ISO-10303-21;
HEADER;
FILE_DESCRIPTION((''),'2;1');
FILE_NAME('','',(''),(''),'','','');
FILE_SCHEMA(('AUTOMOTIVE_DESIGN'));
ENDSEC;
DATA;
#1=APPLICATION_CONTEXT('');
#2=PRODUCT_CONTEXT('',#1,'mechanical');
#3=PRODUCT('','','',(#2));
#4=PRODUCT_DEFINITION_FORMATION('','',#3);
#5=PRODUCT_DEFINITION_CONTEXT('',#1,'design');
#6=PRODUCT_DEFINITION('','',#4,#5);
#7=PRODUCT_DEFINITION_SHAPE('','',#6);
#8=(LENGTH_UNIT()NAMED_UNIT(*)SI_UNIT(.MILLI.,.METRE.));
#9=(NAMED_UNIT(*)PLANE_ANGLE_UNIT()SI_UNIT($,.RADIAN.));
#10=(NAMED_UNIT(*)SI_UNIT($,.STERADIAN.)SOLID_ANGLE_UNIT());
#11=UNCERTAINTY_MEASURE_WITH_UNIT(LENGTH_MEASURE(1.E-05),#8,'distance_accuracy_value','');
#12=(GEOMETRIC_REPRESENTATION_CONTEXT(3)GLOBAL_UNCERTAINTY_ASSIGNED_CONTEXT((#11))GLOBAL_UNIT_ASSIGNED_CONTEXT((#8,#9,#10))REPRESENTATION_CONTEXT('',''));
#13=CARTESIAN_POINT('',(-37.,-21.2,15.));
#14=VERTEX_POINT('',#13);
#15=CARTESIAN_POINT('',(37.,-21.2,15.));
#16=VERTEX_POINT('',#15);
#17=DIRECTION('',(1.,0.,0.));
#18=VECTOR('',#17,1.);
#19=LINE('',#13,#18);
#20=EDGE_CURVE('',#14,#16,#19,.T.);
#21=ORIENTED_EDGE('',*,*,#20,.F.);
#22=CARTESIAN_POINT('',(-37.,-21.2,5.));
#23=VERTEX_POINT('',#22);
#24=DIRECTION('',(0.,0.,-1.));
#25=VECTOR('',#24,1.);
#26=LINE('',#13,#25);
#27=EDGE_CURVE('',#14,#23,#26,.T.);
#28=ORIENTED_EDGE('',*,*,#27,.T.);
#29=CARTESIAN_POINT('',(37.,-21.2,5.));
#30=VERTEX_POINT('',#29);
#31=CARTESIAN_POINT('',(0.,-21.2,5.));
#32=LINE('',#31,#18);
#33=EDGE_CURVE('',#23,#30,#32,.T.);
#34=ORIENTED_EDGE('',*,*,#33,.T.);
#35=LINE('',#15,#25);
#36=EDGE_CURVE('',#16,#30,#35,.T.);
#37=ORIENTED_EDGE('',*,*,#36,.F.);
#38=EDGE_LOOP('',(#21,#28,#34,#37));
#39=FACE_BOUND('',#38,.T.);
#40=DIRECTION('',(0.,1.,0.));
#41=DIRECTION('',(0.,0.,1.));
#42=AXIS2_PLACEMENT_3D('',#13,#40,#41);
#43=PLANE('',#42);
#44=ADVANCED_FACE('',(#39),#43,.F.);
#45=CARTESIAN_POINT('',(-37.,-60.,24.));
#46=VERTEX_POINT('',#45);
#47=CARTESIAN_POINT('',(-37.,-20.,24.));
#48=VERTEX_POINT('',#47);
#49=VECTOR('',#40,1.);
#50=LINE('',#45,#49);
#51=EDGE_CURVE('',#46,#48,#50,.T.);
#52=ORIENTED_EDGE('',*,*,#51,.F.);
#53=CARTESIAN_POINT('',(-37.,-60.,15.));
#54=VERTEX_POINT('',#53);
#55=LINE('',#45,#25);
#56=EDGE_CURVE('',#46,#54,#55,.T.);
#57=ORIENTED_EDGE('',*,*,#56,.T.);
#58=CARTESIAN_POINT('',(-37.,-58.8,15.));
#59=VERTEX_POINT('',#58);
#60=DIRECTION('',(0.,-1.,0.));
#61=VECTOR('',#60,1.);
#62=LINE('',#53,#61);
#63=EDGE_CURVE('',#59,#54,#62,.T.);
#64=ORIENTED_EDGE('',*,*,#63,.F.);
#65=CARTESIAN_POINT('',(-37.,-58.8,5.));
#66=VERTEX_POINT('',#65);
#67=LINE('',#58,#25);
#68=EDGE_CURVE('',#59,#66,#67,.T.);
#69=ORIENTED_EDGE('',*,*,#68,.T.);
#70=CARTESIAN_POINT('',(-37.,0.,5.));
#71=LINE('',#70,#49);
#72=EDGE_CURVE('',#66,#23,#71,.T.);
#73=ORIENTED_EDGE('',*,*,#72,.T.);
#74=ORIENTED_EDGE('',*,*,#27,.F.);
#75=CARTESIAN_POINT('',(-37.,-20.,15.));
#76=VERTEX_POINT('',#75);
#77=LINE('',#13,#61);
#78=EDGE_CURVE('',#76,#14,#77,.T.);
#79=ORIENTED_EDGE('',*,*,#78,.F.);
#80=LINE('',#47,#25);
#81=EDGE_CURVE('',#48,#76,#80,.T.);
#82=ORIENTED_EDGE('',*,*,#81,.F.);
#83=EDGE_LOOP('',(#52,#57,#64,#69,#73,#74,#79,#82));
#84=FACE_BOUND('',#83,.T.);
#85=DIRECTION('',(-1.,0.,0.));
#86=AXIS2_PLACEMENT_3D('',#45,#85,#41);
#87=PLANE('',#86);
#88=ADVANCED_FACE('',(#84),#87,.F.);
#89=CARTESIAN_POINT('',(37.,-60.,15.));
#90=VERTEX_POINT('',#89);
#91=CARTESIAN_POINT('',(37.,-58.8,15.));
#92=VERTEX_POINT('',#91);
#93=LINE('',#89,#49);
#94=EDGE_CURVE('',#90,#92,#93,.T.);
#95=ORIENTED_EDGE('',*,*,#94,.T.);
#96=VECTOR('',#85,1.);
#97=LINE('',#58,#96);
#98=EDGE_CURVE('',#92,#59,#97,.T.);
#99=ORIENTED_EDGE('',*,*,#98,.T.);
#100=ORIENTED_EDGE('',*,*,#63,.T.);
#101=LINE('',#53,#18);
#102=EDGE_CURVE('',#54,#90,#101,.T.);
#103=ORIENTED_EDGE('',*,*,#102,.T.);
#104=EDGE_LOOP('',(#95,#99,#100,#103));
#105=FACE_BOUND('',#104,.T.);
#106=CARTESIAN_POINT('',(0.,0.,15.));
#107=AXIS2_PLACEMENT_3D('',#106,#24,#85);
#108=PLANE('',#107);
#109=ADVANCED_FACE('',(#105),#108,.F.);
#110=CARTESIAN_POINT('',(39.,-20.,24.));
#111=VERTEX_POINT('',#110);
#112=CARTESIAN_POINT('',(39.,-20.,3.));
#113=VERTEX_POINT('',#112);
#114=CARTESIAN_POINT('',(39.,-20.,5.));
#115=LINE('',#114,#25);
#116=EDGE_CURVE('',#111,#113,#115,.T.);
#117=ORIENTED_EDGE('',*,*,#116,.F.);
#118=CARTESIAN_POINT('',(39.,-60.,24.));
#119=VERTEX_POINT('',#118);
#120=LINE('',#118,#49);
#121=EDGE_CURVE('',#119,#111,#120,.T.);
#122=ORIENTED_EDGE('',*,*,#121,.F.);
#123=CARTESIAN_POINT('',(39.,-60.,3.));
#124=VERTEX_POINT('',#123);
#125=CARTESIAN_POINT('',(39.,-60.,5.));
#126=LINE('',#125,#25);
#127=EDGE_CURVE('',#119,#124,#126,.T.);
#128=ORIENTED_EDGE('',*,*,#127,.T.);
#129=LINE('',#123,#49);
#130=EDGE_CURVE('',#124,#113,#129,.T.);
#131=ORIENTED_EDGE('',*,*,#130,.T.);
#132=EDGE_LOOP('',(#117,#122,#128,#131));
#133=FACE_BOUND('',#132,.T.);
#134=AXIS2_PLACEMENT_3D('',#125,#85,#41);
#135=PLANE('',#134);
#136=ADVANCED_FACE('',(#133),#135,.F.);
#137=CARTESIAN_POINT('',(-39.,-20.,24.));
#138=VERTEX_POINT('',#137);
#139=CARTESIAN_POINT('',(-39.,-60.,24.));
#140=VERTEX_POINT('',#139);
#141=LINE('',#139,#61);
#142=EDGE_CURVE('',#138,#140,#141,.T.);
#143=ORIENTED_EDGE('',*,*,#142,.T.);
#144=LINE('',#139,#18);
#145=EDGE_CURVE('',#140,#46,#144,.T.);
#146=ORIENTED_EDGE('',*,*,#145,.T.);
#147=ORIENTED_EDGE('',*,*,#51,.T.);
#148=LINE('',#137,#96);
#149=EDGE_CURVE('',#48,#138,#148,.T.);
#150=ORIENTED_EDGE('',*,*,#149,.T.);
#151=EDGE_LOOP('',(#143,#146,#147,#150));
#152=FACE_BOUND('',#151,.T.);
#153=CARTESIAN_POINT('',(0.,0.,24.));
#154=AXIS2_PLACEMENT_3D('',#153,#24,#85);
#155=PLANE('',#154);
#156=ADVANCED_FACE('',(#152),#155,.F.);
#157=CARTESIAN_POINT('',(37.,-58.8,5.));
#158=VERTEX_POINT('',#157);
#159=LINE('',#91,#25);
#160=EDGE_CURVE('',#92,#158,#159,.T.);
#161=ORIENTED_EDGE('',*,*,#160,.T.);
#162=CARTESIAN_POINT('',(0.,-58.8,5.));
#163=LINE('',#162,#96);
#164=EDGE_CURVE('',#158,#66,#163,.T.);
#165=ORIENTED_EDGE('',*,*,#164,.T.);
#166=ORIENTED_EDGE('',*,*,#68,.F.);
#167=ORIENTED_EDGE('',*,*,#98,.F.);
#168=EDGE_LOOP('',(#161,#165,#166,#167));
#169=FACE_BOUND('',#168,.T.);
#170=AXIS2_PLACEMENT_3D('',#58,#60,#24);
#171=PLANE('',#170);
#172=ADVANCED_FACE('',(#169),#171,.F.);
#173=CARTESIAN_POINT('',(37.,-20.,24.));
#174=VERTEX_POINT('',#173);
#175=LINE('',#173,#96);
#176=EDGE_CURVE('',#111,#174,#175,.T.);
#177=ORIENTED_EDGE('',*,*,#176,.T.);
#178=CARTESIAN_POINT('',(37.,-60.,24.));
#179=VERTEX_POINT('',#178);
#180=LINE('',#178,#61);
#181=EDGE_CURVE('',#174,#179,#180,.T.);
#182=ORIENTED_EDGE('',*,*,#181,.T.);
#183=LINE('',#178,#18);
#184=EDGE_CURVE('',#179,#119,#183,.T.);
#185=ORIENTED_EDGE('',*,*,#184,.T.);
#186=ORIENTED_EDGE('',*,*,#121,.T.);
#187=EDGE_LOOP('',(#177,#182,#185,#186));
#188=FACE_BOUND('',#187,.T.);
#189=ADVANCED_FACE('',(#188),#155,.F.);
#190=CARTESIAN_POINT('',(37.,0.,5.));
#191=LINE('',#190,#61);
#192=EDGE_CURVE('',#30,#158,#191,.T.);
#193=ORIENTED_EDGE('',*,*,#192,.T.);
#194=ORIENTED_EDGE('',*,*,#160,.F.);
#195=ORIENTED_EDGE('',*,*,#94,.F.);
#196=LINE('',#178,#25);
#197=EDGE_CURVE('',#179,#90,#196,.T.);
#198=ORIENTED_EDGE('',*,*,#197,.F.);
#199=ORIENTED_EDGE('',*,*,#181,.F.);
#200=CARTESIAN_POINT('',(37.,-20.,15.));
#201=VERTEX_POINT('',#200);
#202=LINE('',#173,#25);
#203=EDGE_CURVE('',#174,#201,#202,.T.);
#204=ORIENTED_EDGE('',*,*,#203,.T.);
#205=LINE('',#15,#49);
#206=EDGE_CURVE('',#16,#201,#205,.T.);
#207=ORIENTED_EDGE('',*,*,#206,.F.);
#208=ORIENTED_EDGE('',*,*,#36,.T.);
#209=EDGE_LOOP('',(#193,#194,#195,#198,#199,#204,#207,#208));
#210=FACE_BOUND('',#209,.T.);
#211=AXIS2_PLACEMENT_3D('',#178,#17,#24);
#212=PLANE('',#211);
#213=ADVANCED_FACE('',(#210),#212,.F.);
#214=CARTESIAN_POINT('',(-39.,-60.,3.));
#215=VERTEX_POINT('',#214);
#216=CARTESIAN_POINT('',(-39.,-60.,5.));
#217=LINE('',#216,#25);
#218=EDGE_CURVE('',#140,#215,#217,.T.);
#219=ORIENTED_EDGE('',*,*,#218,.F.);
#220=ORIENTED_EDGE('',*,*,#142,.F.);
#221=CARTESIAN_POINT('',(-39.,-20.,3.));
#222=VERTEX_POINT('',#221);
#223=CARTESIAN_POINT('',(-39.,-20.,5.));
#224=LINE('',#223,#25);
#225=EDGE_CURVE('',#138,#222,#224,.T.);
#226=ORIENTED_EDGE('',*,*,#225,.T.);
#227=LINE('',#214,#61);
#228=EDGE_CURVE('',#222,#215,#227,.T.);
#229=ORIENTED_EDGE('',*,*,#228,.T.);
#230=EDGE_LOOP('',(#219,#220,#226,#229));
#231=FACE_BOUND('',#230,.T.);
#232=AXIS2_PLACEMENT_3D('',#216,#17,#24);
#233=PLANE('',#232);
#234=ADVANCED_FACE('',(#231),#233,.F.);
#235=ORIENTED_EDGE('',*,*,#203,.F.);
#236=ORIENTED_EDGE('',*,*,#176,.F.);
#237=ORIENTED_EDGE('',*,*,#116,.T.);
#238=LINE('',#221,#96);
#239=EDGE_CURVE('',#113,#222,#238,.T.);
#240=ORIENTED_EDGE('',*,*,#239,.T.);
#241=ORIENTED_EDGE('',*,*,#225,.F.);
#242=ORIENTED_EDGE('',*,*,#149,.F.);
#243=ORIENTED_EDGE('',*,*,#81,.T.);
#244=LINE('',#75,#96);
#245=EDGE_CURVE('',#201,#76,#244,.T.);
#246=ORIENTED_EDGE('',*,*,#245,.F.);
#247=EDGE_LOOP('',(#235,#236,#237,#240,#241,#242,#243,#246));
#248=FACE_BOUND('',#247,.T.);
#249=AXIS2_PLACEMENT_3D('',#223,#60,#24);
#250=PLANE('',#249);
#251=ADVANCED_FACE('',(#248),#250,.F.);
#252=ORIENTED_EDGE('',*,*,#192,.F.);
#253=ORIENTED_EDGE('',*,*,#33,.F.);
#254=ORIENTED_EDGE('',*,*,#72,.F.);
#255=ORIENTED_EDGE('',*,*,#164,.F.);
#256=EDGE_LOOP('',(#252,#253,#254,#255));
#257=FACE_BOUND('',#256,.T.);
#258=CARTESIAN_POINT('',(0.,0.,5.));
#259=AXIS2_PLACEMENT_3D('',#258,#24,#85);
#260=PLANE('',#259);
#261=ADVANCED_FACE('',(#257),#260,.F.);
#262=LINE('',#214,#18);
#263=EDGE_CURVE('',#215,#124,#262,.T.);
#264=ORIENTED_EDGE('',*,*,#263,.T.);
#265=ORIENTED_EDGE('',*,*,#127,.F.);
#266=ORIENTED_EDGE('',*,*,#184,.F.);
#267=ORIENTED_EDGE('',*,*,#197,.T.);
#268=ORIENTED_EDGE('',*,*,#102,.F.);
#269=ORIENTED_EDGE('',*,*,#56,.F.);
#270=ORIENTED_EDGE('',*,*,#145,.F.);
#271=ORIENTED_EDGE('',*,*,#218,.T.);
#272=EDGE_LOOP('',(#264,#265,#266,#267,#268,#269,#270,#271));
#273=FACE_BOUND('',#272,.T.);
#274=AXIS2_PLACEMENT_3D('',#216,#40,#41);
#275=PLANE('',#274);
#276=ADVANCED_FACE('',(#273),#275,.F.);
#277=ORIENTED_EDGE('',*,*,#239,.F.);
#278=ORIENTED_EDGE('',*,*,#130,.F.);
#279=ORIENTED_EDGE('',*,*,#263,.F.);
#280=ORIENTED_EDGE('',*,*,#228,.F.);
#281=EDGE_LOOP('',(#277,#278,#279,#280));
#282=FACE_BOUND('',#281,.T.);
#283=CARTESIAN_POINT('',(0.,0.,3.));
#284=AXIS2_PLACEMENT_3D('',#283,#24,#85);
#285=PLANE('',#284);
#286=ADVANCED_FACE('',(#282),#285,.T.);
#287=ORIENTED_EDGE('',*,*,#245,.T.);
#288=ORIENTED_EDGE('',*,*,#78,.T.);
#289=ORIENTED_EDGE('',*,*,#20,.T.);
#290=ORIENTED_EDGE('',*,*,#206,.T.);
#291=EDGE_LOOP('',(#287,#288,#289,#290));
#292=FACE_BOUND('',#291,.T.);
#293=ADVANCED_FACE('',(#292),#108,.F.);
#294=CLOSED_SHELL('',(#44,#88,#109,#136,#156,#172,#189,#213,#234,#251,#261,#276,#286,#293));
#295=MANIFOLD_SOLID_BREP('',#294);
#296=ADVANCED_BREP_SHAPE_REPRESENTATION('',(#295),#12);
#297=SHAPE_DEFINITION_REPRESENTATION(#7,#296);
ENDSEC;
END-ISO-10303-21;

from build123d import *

# Parameters (mm, degrees)
SKETCH1_W           = 78
SKETCH1_H           = 40
BOSS_EXTRUDE1_DEPTH = 2
SKETCH2_W           = 2
SKETCH2_H           = 40
BOSS_EXTRUDE2_DEPTH = 21
SKETCH3_W           = 2
SKETCH3_H           = 40
BOSS_EXTRUDE3_DEPTH = 21
SKETCH4_W           = 74
SKETCH4_H           = 1.2
BOSS_EXTRUDE4_DEPTH = 12
SKETCH5_W           = 74
SKETCH5_H           = 1.2
BOSS_EXTRUDE5_DEPTH = 12


with BuildPart() as part:
    # Sketch1 → Boss-Extrude1 (new body)
    with BuildSketch(Plane.XY.offset(3)):
        with Locations((0, -40)):
            Rectangle(SKETCH1_W, SKETCH1_H)
    extrude(amount=BOSS_EXTRUDE1_DEPTH)

    # Sketch2 → Boss-Extrude2 (add)
    with BuildSketch(Plane.XY.offset(3)):
        with Locations((-38, -40)):
            Rectangle(SKETCH2_W, SKETCH2_H)
    extrude(amount=BOSS_EXTRUDE2_DEPTH)

    # Sketch3 → Boss-Extrude3 (add)
    with BuildSketch(Plane.XY.offset(3)):
        with Locations((38, -40)):
            Rectangle(SKETCH3_W, SKETCH3_H)
    extrude(amount=BOSS_EXTRUDE3_DEPTH)

    # Sketch4 → Boss-Extrude4 (add)
    with BuildSketch(Plane.XY.offset(3)):
        with Locations((0, -59.4)):
            Rectangle(SKETCH4_W, SKETCH4_H)
    extrude(amount=BOSS_EXTRUDE4_DEPTH)

    # Sketch5 → Boss-Extrude5 (add)
    with BuildSketch(Plane.XY.offset(3)):
        with Locations((0, -20.6)):
            Rectangle(SKETCH5_W, SKETCH5_H)
    extrude(amount=BOSS_EXTRUDE5_DEPTH)


solid = part.part
